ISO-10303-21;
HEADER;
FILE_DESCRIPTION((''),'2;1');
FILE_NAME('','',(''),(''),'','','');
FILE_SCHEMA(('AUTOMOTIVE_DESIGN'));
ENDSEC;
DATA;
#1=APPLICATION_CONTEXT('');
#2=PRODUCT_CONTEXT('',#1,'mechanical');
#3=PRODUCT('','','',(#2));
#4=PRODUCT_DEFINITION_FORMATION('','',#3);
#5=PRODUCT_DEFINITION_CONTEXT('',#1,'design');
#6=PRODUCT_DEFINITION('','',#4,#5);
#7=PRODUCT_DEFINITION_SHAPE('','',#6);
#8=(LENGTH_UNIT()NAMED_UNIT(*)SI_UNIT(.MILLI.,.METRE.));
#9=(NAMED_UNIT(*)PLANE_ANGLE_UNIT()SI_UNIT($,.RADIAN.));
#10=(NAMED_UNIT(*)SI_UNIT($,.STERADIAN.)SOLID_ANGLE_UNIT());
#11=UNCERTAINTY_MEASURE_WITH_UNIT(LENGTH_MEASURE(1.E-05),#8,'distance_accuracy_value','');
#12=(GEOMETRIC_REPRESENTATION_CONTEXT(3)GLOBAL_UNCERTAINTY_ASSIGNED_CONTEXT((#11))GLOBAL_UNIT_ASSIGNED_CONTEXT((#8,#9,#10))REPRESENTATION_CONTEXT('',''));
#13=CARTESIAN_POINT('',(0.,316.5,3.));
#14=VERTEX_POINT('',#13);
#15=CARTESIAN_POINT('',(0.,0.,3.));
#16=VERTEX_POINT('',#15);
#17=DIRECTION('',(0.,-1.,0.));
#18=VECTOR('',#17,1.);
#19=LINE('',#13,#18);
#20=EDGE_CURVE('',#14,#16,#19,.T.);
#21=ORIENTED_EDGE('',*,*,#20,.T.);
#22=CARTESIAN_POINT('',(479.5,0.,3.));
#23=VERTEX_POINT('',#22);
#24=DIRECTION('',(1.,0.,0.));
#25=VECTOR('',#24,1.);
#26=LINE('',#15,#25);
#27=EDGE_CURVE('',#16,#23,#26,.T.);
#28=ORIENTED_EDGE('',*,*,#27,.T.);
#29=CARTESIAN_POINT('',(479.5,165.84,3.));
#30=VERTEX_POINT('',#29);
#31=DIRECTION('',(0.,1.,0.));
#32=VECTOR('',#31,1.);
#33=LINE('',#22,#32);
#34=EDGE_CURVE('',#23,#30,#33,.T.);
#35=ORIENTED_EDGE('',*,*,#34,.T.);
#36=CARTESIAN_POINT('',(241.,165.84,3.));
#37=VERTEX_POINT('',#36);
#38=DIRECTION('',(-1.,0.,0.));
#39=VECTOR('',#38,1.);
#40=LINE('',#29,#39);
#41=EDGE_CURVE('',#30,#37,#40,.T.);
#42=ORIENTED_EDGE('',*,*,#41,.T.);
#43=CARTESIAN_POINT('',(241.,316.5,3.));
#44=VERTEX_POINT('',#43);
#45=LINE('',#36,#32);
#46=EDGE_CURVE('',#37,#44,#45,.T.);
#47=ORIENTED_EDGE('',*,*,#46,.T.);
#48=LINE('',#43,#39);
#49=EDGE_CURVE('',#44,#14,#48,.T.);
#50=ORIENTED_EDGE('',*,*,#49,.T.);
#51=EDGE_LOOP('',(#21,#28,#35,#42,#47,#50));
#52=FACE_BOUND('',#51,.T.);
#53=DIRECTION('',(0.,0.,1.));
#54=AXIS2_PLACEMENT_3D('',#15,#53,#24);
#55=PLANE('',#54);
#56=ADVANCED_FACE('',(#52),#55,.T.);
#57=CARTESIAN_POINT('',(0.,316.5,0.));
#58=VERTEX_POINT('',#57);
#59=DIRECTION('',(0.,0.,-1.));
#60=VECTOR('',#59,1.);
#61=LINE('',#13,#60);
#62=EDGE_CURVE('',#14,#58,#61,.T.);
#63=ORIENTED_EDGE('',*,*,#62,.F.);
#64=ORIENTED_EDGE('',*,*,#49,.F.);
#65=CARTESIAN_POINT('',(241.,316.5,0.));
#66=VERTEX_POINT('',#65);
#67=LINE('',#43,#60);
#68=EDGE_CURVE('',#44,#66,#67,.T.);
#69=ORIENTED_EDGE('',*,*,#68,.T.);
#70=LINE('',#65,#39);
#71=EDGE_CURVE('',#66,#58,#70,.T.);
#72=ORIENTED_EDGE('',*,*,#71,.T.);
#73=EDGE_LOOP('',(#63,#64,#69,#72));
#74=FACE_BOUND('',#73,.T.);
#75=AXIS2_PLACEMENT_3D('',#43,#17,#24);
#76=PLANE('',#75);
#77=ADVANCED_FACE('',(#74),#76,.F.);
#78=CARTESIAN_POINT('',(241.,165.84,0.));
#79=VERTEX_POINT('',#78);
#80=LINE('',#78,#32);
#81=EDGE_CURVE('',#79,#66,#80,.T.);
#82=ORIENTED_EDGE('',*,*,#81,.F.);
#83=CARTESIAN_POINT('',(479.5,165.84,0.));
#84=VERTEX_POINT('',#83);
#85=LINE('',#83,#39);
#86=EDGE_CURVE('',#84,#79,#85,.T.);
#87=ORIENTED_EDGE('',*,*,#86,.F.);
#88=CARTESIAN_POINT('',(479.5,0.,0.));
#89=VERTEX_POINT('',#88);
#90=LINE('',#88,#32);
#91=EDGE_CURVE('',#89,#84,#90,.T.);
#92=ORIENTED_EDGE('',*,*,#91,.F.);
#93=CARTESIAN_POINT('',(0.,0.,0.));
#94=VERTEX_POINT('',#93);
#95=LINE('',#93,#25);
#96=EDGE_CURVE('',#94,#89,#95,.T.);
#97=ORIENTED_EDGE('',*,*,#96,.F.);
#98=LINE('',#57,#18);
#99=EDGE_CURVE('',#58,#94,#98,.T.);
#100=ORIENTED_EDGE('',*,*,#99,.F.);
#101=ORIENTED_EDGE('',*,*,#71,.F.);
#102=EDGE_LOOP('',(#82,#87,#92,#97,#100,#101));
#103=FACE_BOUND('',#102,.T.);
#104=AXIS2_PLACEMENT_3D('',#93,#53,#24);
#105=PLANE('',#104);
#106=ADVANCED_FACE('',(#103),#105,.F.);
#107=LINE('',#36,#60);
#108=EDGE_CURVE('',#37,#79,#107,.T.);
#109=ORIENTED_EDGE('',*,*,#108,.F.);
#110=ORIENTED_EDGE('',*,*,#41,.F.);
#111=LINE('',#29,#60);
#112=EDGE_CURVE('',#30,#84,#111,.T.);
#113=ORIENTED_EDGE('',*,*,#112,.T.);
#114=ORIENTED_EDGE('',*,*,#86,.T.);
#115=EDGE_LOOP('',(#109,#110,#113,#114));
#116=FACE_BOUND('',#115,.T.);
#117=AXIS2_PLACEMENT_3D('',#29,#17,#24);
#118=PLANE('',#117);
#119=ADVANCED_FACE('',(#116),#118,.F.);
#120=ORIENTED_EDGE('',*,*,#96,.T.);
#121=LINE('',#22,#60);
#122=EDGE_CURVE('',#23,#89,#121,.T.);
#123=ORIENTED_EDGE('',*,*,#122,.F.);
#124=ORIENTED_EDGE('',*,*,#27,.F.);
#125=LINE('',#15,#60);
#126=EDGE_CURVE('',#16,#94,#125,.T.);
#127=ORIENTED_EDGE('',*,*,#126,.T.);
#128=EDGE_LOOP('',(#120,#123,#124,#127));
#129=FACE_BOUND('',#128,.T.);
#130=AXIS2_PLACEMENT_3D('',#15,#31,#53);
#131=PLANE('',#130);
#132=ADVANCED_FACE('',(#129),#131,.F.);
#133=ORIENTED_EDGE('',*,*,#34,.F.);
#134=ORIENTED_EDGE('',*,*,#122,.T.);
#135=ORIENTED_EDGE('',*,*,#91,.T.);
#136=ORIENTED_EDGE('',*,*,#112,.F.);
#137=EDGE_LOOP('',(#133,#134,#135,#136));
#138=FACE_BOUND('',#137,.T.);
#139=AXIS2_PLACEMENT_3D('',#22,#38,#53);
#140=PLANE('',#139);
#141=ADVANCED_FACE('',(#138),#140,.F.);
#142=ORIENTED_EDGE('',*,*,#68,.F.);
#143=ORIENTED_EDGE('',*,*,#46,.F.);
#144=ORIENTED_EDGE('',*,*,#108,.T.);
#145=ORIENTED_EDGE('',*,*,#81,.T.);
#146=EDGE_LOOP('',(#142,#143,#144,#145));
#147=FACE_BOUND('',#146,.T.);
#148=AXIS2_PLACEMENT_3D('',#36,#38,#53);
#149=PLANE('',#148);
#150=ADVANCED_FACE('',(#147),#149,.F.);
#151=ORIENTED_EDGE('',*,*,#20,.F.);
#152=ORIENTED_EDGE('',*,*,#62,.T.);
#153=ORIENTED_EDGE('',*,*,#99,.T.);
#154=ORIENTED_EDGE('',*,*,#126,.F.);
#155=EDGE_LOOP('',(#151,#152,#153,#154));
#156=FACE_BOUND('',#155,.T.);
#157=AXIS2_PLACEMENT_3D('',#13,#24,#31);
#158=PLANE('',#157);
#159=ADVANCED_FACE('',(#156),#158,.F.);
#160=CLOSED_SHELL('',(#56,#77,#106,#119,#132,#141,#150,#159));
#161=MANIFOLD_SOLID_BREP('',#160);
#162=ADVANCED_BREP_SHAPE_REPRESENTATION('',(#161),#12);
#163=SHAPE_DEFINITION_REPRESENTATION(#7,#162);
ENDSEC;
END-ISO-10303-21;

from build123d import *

# Parameters (mm, degrees)
BOSS_EXTRUDE1_DEPTH = 3


with BuildPart() as part:
    # Sketch1 → Boss-Extrude1 (new body)
    with BuildSketch(Plane.XY):
        Polygon((0, 0), (479.5, 0), (479.5, 165.84), (241, 165.84), (241, 316.5), (0, 316.5), align=None)
    extrude(amount=BOSS_EXTRUDE1_DEPTH)


solid = part.part
